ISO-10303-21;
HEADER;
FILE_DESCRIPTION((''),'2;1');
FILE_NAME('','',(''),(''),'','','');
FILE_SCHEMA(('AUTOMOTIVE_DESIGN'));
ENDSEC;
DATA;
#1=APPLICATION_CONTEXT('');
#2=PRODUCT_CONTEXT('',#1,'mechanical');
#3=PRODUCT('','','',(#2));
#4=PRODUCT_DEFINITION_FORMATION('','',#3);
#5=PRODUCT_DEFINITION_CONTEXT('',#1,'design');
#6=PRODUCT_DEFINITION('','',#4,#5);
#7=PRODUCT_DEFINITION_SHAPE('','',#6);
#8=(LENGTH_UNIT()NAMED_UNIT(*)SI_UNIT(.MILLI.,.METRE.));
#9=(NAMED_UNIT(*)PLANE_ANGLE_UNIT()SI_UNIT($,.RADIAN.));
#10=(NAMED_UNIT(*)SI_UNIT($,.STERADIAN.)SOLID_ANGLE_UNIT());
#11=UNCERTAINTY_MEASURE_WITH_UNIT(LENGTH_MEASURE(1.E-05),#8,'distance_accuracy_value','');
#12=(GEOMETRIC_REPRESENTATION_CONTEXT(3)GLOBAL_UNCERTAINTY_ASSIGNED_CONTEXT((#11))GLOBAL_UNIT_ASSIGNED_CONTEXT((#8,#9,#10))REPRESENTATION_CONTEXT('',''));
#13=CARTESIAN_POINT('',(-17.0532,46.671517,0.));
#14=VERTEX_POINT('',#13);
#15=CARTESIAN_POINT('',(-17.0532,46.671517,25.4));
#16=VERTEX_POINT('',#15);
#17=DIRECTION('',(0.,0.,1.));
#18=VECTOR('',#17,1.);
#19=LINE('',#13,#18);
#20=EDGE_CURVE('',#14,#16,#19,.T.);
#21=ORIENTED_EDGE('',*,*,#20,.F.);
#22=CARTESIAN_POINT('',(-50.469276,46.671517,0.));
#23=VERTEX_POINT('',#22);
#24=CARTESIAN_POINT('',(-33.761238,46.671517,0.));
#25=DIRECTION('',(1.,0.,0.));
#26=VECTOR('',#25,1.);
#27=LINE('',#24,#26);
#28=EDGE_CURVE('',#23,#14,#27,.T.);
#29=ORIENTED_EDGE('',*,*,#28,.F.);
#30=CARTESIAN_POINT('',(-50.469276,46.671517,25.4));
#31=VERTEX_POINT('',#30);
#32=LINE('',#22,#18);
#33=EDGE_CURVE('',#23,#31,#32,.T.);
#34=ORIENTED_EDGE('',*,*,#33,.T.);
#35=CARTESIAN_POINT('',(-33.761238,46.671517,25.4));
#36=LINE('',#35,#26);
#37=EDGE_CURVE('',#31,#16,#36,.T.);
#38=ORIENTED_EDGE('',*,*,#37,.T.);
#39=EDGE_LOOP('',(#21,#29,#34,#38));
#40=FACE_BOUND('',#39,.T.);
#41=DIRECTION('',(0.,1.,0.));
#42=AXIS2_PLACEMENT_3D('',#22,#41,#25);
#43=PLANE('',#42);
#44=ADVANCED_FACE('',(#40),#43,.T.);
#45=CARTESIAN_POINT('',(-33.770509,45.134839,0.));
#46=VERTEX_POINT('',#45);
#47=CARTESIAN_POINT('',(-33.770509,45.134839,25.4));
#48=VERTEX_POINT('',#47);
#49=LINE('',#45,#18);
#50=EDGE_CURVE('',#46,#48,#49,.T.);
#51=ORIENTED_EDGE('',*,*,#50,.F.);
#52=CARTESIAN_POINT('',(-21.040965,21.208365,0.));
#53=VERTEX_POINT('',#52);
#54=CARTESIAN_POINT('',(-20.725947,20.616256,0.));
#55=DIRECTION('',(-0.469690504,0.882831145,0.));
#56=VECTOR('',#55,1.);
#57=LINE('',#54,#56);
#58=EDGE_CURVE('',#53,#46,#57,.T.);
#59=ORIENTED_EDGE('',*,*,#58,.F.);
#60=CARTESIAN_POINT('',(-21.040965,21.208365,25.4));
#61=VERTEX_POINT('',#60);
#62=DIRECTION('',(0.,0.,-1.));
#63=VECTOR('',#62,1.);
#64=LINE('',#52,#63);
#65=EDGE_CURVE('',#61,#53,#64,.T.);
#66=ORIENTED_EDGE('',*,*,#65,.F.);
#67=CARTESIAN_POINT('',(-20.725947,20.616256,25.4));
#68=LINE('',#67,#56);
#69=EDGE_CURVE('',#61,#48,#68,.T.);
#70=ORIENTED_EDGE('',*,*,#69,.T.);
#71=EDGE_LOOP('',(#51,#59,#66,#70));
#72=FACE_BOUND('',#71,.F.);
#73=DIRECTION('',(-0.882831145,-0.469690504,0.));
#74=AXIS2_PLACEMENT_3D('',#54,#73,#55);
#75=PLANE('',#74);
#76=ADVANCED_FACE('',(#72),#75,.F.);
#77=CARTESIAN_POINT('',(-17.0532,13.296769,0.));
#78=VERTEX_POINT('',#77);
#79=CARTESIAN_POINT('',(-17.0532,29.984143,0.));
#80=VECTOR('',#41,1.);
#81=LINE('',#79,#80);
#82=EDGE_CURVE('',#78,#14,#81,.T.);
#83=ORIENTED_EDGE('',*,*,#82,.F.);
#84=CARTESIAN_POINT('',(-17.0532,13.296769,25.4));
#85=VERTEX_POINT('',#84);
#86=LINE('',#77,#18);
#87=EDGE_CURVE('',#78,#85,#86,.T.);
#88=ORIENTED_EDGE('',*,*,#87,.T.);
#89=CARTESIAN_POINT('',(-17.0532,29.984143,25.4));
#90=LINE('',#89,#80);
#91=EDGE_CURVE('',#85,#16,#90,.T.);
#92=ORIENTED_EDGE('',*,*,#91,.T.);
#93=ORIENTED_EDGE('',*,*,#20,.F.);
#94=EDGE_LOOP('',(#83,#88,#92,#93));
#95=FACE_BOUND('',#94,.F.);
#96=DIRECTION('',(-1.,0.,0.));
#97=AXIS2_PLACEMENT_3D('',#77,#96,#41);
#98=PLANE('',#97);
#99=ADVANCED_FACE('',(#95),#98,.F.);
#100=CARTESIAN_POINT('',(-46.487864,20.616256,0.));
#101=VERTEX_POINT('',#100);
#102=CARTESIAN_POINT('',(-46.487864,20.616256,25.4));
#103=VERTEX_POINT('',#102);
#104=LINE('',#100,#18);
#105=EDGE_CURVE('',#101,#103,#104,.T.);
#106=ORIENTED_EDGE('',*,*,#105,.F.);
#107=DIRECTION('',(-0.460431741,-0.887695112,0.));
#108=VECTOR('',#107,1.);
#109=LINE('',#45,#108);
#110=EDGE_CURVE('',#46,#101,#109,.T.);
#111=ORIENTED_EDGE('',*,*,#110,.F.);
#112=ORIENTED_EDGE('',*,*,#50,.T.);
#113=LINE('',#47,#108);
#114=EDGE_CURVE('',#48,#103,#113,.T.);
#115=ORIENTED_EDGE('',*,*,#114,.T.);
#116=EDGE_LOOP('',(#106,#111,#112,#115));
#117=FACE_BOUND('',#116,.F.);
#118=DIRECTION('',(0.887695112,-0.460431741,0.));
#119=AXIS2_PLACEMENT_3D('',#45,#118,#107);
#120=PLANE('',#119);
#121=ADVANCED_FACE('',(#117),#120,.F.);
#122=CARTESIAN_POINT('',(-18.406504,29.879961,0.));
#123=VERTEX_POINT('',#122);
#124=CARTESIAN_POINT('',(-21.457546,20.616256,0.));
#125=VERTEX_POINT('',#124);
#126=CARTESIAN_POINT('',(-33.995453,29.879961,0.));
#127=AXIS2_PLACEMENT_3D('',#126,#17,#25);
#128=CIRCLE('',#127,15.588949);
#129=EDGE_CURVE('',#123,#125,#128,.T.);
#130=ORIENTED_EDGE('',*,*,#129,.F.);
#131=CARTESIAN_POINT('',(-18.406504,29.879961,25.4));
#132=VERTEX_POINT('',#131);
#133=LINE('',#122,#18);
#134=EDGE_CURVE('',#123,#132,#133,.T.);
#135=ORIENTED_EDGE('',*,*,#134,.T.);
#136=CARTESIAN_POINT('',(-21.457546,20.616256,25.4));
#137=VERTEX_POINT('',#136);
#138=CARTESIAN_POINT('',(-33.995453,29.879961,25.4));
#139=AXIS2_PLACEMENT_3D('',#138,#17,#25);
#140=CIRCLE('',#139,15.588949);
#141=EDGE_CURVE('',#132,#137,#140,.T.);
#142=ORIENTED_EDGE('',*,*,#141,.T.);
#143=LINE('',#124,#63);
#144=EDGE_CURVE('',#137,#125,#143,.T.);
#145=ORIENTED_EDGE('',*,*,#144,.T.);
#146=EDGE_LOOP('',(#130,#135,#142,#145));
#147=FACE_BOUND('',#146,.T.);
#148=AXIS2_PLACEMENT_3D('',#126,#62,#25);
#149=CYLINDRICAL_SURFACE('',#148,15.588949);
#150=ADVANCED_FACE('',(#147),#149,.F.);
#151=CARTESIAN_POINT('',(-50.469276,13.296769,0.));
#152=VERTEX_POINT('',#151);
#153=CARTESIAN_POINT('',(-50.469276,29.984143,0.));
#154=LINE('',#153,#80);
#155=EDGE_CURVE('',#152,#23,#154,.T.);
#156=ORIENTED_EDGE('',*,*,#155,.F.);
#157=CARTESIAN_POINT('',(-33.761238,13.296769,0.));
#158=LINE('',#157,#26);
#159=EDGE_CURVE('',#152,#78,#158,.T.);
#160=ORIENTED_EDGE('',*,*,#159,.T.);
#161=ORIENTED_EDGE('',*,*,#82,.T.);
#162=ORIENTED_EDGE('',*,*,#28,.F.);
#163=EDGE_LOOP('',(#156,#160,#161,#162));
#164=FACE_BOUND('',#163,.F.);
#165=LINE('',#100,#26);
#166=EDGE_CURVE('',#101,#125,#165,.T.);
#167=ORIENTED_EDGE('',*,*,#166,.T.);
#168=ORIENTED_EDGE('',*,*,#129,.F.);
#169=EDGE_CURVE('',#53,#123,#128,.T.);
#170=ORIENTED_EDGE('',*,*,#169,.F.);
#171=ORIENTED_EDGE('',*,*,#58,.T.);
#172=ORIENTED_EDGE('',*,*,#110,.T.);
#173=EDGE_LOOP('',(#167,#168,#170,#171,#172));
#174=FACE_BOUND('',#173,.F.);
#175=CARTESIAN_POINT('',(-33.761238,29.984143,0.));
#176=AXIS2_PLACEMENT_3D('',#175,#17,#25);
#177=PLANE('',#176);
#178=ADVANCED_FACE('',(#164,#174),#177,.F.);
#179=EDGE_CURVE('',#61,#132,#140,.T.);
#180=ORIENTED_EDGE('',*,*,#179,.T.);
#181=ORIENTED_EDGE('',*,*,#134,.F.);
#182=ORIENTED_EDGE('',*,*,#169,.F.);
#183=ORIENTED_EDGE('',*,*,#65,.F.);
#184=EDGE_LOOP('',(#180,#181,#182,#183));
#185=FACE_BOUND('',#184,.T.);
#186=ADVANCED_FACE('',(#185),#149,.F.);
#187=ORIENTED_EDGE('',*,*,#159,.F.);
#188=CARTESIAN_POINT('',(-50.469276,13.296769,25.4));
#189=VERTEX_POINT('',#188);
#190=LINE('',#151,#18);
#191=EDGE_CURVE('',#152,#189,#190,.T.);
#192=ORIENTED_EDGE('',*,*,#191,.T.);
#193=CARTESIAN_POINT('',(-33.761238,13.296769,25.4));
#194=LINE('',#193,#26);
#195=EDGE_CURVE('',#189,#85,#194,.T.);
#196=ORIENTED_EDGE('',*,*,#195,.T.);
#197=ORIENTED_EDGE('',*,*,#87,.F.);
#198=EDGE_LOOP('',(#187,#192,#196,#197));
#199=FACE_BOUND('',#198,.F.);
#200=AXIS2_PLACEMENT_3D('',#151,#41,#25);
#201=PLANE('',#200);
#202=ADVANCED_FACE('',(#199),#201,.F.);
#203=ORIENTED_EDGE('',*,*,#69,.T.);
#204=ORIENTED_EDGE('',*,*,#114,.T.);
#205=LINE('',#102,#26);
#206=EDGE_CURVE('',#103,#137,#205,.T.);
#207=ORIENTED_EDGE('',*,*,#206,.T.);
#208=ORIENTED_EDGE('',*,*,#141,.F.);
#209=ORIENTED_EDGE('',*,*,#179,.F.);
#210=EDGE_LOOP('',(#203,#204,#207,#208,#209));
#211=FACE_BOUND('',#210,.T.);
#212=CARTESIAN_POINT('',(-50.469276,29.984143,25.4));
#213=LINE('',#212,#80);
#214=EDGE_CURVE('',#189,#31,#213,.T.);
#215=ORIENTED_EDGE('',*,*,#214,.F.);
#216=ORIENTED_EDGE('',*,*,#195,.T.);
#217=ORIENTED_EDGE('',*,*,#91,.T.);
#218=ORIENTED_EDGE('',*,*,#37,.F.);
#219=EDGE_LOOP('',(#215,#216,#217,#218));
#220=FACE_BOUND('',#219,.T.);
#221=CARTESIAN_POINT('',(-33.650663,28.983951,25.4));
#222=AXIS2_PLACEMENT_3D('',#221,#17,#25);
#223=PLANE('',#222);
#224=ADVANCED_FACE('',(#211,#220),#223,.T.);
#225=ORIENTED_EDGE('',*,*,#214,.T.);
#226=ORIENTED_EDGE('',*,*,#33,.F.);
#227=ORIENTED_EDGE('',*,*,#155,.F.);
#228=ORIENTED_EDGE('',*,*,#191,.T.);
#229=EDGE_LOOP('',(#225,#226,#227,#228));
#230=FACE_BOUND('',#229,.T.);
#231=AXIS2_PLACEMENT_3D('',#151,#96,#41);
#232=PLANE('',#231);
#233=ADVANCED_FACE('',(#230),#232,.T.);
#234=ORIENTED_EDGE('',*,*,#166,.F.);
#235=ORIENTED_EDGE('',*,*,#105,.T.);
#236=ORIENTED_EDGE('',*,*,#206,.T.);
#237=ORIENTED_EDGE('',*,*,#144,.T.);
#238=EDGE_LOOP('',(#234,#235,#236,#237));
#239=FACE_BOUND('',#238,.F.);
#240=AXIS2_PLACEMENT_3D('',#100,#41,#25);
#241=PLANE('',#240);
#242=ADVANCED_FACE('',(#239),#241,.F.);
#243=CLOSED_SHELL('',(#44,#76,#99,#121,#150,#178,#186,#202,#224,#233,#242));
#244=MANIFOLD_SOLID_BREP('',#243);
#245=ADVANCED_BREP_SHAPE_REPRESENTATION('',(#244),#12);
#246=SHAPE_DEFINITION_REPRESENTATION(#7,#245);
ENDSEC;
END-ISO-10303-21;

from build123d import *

# Parameters (mm, degrees)
F0_W     = 33.416076
F0_H     = 33.374747
F0_R     = 15.588949
F1_DEPTH = 25.4
F3_DEPTH = 25.4


with BuildPart() as f1:
    # F0 (on Top) → F1 (new body)
    with BuildSketch(Plane.XY):
        with Locations((-33.761238, 29.984143)):
            Rectangle(F0_W, F0_H)
        with Locations((-33.995453, 29.879961)):
            Circle(F0_R, mode=Mode.SUBTRACT)
    extrude(amount=F1_DEPTH)

    # F2 (on Top) → F3 (join)
    with BuildSketch(Plane.XY):
        Polygon((-20.725947, 20.616256), (-33.770509, 45.134839), (-46.487864, 20.616256), align=None)
    extrude(amount=F3_DEPTH)


solid = f1.part
